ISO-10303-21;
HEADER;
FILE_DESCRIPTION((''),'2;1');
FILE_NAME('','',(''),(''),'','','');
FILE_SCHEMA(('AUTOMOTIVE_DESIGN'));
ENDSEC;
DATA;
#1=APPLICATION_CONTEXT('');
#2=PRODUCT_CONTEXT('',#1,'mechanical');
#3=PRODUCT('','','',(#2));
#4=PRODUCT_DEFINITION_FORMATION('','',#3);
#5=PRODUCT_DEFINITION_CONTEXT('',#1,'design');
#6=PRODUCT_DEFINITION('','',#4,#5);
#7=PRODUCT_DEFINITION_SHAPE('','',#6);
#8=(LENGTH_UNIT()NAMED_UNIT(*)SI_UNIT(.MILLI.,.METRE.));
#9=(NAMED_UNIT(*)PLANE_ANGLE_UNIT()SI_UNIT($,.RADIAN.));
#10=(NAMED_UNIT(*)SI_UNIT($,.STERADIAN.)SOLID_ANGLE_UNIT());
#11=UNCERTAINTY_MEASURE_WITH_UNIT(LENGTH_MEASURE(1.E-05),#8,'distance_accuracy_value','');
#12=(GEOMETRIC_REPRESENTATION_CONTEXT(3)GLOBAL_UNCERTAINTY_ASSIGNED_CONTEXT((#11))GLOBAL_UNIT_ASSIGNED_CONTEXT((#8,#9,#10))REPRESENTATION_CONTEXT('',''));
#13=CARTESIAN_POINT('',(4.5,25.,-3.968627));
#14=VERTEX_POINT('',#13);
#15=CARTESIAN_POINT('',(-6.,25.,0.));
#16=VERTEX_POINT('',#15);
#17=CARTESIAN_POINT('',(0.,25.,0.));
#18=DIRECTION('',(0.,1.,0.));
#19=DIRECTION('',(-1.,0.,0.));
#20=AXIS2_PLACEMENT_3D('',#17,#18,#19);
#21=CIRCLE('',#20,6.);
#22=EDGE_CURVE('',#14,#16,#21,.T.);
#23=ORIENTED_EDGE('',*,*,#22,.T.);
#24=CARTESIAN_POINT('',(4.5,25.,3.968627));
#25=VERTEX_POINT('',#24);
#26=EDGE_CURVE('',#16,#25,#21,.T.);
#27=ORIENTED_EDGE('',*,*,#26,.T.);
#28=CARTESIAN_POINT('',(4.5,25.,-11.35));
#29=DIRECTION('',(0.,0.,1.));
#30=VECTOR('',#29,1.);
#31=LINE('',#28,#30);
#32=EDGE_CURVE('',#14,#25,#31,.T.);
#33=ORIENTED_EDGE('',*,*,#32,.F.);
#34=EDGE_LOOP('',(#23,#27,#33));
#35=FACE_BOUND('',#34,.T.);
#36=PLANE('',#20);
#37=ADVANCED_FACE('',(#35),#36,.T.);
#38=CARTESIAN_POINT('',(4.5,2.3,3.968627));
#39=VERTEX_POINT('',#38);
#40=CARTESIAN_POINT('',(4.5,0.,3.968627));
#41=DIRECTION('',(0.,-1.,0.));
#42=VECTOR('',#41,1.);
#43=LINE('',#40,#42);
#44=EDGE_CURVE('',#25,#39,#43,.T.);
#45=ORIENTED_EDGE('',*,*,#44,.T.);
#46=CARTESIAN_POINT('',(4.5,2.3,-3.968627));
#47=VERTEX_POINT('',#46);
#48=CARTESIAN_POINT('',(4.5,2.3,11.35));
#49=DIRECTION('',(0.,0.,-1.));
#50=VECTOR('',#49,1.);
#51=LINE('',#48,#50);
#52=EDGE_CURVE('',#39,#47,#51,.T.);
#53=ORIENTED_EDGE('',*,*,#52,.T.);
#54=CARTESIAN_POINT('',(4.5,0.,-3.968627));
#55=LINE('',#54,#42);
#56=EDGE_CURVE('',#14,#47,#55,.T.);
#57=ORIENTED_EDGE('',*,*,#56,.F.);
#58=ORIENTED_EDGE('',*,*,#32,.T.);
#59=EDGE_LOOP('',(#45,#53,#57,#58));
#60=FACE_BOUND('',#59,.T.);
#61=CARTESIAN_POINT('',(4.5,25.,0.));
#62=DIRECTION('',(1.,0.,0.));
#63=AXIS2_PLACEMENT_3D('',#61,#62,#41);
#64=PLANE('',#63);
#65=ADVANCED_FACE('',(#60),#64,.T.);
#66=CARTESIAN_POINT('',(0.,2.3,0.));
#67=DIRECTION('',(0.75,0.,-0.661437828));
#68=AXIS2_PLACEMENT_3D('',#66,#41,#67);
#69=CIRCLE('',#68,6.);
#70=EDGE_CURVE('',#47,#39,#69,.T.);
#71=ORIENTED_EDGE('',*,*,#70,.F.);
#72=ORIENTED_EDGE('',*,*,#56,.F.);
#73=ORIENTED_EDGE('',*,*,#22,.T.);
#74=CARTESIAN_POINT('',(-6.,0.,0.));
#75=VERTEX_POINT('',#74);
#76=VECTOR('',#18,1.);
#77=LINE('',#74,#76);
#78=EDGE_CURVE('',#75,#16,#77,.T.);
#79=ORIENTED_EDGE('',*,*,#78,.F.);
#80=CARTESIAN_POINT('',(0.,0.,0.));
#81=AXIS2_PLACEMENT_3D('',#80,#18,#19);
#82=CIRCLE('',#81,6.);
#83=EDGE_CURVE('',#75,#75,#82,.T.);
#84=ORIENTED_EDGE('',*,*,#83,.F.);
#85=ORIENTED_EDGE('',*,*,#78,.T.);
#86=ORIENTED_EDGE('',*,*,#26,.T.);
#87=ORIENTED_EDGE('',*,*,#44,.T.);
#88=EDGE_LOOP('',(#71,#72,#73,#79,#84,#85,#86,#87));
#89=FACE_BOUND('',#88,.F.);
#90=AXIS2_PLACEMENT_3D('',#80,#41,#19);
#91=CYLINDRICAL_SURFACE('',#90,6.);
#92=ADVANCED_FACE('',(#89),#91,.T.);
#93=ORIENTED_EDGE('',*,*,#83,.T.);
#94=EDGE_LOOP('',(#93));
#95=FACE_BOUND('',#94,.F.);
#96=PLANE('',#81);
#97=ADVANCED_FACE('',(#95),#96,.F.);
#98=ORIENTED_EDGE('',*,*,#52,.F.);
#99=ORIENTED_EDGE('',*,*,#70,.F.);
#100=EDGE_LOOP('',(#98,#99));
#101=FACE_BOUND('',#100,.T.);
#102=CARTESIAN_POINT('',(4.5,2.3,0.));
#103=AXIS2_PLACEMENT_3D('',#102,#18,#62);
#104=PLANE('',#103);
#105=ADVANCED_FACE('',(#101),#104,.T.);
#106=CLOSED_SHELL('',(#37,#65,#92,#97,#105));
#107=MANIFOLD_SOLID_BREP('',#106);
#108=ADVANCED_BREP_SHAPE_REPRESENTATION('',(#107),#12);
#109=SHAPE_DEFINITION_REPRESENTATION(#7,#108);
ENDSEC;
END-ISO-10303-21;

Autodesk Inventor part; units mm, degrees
ref_plane "YZ Plane" through (0, 0, 0) normal (1, 0, 0) x (0, 1, 0)
ref_plane "XZ Plane" through (0, 0, 0) normal (0, 1, 0) x (-1, 0, 0)
ref_plane "XY Plane" through (0, 0, 0) normal (0, 0, 1) x (1, 0, 0)
sketch "スケッチ1" plane through (0, 0, 0) normal (0, 1, 0) x (-1, 0, 0)
  circle A0 centre (0, 0) radius 6
  dimension "d0" = 12
extrude "押し出し1" add sketch "スケッチ1" along normal blind 25
sketch "スケッチ4" plane through (0, 0, 0) normal (0, 0, 1) x (1, 0, 0)
  line L0 (6, 25) -> (-6, 25) projected
  line L1 (6, 25) -> (4.5, 25)
  line L2 (4.5, 25) -> (4.5, 2.3)
  line L3 (4.5, 2.3) -> (6, 2.3)
  line L4 (6, 2.3) -> (6, 25)
  point P0 (0, 0)
  dimension "d8" = 1.5
  dimension "d9" = 22.7
extrude "押し出し3" cut sketch "スケッチ4" along normal mid plane 22.7
properties part number "shaft"
